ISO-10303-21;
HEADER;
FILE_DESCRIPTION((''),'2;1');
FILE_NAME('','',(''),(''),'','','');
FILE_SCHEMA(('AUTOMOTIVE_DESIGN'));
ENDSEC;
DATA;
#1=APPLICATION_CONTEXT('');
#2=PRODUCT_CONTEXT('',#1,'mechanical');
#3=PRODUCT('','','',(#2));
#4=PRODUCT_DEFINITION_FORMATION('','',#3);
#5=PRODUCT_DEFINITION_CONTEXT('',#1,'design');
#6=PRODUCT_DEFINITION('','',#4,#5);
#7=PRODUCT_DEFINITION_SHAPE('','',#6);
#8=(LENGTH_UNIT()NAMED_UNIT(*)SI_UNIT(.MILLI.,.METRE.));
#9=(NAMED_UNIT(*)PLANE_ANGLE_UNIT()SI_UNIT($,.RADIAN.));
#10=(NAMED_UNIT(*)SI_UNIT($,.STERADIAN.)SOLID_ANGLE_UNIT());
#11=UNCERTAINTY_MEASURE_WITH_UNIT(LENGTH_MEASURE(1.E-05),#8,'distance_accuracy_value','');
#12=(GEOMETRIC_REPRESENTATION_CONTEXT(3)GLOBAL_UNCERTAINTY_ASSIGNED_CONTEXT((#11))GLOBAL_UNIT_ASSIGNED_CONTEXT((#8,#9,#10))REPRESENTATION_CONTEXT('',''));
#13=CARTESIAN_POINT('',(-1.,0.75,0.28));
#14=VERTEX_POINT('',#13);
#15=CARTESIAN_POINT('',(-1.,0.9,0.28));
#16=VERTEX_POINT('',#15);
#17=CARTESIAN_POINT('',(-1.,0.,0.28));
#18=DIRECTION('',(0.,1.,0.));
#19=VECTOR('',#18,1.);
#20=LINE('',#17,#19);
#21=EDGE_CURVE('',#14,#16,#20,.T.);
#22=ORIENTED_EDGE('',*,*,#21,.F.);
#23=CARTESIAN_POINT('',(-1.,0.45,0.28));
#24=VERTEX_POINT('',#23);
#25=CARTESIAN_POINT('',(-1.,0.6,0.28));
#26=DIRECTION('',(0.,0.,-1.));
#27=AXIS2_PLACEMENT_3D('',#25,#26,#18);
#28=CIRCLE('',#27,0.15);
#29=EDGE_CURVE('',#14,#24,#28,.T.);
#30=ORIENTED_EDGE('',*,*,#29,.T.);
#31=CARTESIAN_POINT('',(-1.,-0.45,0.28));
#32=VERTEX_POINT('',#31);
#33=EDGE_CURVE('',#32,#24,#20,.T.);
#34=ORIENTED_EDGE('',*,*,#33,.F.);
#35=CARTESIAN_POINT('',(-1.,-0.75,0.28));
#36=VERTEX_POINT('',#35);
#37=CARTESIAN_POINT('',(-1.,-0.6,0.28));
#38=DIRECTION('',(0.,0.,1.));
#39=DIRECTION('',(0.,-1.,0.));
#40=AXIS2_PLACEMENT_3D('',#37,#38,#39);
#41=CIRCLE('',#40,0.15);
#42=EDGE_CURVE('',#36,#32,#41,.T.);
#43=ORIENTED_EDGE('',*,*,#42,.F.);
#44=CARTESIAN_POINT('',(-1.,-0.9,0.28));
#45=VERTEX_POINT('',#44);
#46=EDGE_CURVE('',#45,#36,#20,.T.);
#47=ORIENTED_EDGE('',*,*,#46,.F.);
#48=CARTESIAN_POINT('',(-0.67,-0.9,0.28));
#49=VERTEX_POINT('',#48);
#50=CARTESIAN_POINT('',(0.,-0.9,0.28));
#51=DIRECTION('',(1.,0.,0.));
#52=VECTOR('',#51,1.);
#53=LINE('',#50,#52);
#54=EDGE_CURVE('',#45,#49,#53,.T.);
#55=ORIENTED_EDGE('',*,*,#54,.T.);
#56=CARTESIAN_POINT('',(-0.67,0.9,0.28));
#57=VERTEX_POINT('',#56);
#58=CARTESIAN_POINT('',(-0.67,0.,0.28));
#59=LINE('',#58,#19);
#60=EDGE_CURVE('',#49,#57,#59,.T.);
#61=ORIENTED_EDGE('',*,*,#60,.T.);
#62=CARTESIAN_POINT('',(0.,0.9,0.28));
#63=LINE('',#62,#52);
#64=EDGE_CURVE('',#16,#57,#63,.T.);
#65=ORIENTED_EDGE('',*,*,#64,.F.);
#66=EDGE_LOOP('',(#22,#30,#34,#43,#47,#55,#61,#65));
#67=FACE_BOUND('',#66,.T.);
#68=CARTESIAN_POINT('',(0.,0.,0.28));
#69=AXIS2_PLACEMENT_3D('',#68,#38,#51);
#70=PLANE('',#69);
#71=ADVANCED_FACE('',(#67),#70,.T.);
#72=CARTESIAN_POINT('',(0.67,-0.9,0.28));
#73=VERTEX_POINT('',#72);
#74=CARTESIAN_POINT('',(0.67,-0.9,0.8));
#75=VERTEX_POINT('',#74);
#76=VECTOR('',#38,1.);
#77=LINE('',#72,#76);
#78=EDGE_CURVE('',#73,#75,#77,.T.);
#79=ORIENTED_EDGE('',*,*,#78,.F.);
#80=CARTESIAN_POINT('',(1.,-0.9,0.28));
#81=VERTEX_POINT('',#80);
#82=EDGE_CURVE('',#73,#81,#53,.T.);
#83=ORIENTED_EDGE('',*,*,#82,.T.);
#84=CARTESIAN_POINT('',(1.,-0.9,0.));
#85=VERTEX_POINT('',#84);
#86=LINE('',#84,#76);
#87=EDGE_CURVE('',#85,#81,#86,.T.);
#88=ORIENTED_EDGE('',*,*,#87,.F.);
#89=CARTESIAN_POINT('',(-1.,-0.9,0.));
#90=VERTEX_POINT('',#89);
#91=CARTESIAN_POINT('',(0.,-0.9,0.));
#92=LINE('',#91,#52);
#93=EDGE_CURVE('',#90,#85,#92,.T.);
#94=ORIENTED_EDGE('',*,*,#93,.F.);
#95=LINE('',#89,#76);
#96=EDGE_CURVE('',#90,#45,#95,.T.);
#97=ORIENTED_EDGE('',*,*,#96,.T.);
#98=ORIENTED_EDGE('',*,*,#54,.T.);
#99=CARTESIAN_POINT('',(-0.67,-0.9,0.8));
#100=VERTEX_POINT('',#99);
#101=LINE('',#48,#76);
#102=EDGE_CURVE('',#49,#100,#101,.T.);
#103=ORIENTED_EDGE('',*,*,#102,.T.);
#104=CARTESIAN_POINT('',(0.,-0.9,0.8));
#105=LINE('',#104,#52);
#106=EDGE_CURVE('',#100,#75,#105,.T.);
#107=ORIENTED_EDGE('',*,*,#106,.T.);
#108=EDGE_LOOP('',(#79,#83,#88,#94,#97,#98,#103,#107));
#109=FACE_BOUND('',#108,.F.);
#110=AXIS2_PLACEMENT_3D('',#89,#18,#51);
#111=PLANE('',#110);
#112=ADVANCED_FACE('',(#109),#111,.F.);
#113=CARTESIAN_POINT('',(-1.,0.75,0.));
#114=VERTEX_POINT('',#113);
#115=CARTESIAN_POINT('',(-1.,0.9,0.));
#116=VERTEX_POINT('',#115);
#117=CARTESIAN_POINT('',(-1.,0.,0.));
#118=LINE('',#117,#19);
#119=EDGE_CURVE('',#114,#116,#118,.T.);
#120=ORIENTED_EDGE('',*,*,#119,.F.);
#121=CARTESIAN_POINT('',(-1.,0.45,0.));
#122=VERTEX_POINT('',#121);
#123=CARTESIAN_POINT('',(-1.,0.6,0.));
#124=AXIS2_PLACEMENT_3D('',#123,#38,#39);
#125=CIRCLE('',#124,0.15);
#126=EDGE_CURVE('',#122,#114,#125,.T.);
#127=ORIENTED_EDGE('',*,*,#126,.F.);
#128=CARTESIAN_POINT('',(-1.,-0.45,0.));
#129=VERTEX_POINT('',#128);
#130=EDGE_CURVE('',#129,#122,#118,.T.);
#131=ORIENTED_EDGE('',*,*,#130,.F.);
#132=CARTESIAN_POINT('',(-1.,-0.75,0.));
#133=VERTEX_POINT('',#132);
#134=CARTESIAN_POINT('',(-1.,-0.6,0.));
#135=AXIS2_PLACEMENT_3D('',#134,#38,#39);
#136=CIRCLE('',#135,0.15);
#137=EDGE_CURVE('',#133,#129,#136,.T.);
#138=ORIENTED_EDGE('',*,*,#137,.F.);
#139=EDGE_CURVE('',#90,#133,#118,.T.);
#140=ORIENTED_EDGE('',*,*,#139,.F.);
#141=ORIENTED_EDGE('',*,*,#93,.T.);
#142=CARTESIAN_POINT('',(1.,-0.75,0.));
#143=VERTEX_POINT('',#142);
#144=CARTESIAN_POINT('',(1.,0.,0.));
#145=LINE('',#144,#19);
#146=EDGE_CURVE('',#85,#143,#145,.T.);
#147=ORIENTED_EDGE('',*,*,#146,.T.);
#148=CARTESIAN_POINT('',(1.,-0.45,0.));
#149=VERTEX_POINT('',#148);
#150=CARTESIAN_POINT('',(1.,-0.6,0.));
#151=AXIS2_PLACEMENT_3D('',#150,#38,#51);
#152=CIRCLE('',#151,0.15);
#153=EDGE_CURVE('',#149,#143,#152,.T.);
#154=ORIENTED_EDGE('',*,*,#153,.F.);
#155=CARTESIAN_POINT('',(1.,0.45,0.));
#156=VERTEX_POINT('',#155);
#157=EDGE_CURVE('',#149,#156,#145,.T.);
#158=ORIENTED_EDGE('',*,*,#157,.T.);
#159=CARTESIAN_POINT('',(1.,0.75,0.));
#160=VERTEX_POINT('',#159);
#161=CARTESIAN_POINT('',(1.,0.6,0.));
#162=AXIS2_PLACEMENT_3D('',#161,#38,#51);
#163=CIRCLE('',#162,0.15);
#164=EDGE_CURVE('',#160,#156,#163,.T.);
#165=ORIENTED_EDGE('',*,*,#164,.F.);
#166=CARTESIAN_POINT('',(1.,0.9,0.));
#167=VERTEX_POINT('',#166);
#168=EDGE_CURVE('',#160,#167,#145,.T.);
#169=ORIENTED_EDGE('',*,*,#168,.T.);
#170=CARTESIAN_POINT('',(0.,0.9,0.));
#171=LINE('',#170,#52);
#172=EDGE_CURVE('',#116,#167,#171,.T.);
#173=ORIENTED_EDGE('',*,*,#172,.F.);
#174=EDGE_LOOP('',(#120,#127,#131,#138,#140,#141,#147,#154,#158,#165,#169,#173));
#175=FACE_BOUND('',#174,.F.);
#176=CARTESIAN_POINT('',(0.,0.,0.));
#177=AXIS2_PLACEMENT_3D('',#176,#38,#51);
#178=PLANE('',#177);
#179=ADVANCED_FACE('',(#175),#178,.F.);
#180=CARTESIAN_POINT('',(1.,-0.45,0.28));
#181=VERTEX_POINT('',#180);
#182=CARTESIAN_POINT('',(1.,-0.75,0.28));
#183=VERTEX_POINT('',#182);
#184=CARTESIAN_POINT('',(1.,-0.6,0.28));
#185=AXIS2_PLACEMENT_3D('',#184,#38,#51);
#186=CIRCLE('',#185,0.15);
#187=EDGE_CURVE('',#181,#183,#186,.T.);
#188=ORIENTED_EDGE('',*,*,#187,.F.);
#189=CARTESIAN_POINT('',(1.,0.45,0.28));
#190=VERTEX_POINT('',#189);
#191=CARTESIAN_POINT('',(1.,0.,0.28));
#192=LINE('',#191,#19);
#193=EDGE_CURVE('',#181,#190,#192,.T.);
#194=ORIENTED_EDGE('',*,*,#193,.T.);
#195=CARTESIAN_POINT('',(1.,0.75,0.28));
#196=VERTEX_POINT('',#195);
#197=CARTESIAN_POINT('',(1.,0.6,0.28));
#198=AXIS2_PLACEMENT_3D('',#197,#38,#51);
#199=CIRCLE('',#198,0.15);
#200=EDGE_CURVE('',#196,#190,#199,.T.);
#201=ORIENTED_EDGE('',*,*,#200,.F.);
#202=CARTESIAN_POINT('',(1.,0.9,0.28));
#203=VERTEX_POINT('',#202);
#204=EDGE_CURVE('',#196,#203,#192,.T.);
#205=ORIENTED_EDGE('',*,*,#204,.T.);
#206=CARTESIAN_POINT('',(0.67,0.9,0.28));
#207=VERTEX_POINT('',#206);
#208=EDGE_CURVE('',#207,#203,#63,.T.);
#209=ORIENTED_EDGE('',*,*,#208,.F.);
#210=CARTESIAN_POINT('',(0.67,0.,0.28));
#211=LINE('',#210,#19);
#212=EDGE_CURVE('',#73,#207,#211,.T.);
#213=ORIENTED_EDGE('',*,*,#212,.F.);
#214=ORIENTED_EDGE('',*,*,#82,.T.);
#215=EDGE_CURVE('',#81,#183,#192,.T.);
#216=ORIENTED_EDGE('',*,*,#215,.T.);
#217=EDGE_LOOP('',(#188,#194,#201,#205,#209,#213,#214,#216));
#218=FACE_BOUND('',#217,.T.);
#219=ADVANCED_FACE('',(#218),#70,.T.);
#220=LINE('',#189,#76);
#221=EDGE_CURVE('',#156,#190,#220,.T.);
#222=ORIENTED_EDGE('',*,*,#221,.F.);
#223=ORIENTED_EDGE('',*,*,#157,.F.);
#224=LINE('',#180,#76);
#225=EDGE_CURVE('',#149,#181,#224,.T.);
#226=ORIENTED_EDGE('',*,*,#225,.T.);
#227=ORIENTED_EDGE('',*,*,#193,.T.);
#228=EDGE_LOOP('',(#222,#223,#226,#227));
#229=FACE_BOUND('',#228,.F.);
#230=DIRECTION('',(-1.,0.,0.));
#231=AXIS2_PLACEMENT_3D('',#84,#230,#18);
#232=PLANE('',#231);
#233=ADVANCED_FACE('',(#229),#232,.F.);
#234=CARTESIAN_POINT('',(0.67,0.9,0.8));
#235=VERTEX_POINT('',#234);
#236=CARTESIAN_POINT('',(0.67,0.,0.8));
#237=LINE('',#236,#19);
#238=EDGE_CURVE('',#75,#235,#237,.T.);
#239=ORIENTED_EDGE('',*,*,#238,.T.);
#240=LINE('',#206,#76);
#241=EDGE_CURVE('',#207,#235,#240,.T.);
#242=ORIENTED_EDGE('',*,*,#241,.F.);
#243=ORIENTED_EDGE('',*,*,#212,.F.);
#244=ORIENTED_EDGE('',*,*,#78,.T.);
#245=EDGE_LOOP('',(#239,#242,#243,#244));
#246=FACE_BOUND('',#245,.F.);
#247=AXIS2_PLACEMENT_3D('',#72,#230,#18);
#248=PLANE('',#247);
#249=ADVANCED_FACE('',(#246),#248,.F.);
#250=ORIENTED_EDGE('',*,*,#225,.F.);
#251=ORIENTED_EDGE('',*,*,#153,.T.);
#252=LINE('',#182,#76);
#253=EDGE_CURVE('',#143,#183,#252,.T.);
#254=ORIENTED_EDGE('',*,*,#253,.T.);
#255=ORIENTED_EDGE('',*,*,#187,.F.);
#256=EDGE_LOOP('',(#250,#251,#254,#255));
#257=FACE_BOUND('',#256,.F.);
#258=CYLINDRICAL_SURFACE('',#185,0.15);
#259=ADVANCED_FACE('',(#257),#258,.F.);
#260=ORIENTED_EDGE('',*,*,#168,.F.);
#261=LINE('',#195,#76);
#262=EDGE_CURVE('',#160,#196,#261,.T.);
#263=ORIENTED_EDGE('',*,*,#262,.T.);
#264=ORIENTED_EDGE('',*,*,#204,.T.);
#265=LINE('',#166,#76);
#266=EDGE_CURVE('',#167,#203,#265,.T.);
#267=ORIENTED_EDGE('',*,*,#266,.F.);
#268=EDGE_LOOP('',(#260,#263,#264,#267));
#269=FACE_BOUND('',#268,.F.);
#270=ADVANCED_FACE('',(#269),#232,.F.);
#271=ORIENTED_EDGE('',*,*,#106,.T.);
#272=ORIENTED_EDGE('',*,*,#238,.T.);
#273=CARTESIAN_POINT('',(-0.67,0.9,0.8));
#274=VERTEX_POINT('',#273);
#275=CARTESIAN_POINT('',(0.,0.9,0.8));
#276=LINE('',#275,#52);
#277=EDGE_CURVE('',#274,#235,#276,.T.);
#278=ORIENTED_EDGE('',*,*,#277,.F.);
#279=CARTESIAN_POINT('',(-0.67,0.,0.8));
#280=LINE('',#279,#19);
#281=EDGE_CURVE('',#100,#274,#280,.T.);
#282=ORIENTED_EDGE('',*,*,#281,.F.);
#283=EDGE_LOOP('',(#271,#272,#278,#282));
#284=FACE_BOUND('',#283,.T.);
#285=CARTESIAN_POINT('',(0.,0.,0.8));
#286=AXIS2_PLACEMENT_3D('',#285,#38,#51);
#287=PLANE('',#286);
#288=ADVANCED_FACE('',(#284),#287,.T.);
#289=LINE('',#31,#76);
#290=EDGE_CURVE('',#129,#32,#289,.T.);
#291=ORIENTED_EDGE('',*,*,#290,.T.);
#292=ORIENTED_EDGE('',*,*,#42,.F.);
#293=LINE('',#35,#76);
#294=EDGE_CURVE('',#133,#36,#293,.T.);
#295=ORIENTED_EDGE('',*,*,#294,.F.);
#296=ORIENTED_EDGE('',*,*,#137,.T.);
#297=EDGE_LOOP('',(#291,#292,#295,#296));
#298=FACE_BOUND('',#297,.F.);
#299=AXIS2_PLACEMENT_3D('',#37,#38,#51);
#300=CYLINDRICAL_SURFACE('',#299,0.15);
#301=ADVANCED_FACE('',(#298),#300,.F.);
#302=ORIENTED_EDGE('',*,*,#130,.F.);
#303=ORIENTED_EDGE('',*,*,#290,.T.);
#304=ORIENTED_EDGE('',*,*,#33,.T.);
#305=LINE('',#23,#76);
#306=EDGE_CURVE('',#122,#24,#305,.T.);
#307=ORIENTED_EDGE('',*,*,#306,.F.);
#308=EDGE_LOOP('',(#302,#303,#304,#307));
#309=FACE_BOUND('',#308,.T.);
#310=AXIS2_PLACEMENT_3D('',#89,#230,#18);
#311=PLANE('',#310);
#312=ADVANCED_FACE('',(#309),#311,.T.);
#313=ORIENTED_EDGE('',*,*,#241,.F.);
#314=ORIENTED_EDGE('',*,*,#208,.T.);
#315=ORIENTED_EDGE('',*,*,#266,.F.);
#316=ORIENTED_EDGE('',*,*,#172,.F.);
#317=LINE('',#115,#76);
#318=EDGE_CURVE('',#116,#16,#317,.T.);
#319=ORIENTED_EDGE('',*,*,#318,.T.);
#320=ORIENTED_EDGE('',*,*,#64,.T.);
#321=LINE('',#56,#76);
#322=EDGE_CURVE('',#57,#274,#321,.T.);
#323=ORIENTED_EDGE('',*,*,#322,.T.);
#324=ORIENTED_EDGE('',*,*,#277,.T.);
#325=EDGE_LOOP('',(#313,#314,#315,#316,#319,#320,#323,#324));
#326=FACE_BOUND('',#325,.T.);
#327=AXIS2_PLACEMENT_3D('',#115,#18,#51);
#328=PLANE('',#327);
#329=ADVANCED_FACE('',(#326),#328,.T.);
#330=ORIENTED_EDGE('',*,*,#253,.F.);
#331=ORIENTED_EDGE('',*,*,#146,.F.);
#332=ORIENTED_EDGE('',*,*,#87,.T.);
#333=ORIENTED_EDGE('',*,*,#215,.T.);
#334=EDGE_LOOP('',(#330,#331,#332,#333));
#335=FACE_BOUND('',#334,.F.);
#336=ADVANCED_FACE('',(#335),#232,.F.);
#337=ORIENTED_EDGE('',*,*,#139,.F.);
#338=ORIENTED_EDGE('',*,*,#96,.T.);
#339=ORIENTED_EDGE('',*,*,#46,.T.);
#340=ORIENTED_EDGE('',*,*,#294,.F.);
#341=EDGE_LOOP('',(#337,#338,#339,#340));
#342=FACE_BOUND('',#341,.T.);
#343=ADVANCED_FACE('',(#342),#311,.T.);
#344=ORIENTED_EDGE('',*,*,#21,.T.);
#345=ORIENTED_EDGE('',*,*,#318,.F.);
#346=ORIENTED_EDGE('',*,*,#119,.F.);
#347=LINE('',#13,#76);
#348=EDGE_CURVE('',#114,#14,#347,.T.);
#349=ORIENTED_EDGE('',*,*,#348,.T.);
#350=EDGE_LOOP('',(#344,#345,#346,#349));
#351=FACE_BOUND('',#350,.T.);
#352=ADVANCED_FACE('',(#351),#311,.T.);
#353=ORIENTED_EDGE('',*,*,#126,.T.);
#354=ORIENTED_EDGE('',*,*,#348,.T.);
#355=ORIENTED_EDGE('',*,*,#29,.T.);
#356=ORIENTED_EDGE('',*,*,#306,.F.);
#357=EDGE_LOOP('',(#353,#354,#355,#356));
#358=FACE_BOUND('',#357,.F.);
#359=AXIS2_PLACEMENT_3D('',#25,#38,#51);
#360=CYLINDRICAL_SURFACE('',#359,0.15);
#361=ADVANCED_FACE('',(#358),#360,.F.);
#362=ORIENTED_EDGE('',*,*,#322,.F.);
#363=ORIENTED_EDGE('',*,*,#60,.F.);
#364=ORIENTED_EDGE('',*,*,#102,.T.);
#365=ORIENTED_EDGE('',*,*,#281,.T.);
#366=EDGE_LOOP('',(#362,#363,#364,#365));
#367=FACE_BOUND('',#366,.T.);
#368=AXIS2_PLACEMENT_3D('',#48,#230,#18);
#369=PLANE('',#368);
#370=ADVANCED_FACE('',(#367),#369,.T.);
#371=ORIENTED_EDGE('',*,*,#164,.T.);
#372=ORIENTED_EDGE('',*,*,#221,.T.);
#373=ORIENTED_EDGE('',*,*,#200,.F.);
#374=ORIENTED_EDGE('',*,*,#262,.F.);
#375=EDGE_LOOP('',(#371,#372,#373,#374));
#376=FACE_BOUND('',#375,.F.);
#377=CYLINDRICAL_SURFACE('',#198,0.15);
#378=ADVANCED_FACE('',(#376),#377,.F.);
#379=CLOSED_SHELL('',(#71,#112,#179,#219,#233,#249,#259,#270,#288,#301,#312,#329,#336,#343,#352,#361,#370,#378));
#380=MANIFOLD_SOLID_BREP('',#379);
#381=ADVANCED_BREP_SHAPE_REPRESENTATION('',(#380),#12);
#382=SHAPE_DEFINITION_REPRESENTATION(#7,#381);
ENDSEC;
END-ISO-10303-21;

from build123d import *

# Parameters (mm, degrees)
SKETCH_W     = 2
SKETCH_H     = 1.8
PAD_DEPTH    = 0.28
SKETCH001_W  = 1.34
SKETCH001_H  = 1.8
PAD001_DEPTH = 0.52
SKETCH002_R  = 0.15
POCKET_DEPTH = 1


with BuildPart() as part:
    # Sketch → Pad (new body)
    with BuildSketch(Plane.XY):
        Rectangle(SKETCH_W, SKETCH_H)
    extrude(amount=PAD_DEPTH)

    # Sketch001 (on Face6 of Pad) → Pad001 (join)
    with BuildSketch(Plane.XY.offset(0.28)):
        Rectangle(SKETCH001_W, SKETCH001_H)
    extrude(amount=PAD001_DEPTH)

    # Sketch002 (on Face5 of Pad001) → Pocket (cut)
    with BuildSketch(Plane.XY.offset(0.28)):
        with Locations((1, 0.6)):
            Circle(SKETCH002_R)
        with Locations((1, -0.6)):
            Circle(SKETCH002_R)
        with Locations((-1, 0.6)):
            Circle(SKETCH002_R)
        with Locations((-1, -0.6)):
            Circle(SKETCH002_R)
    extrude(amount=-POCKET_DEPTH, mode=Mode.SUBTRACT)


solid = part.part
